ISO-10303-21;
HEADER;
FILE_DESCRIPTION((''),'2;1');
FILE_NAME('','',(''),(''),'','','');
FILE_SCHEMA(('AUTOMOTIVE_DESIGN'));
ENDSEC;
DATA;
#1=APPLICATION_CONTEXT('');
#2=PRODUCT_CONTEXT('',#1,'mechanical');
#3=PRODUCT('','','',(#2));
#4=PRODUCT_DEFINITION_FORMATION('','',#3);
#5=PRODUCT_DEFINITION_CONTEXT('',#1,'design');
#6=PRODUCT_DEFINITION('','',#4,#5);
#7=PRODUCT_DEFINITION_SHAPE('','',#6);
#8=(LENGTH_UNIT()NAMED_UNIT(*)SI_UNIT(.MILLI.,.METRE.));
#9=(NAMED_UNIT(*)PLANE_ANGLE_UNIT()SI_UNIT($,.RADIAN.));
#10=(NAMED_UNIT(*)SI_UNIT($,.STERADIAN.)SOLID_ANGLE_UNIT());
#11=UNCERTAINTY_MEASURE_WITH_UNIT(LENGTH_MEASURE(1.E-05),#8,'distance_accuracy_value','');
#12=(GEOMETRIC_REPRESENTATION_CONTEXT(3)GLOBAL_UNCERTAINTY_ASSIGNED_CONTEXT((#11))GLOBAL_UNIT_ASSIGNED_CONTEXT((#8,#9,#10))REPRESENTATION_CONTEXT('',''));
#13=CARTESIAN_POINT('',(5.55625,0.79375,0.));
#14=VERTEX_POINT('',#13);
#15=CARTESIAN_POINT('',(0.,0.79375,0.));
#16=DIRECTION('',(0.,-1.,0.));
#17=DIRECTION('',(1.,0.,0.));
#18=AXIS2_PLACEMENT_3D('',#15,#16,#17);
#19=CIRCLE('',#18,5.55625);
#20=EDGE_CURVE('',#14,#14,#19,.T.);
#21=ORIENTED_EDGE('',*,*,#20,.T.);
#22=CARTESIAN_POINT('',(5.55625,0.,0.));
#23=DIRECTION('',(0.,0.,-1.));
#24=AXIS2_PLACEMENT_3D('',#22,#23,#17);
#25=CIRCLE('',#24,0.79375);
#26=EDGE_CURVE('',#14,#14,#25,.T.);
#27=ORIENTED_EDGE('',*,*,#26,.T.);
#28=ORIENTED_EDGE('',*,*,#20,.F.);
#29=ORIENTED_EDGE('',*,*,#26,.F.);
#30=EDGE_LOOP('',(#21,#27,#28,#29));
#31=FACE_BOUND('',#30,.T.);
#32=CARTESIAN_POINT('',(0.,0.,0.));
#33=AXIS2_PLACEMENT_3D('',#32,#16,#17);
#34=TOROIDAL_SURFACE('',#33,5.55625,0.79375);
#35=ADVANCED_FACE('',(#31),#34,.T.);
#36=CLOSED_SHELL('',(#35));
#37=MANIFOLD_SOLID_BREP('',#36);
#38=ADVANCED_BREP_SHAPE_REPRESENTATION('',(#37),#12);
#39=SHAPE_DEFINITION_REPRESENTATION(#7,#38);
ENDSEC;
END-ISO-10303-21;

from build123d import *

# Parameters (mm, degrees)
F1_R = 0.79375


with BuildPart() as f2:
    # F2: sweep along a path in F0
    with BuildLine(Plane.XZ) as f2_path:
        CenterArc((0, 0), 4.7625, 0, 360)
    # F1 (on Right) → F2 (sweep)
    with BuildSketch(Plane.YZ):
        with Locations((0, 5.55625)):
            Circle(F1_R)
    sweep(path=f2_path.line)


solid = f2.part
